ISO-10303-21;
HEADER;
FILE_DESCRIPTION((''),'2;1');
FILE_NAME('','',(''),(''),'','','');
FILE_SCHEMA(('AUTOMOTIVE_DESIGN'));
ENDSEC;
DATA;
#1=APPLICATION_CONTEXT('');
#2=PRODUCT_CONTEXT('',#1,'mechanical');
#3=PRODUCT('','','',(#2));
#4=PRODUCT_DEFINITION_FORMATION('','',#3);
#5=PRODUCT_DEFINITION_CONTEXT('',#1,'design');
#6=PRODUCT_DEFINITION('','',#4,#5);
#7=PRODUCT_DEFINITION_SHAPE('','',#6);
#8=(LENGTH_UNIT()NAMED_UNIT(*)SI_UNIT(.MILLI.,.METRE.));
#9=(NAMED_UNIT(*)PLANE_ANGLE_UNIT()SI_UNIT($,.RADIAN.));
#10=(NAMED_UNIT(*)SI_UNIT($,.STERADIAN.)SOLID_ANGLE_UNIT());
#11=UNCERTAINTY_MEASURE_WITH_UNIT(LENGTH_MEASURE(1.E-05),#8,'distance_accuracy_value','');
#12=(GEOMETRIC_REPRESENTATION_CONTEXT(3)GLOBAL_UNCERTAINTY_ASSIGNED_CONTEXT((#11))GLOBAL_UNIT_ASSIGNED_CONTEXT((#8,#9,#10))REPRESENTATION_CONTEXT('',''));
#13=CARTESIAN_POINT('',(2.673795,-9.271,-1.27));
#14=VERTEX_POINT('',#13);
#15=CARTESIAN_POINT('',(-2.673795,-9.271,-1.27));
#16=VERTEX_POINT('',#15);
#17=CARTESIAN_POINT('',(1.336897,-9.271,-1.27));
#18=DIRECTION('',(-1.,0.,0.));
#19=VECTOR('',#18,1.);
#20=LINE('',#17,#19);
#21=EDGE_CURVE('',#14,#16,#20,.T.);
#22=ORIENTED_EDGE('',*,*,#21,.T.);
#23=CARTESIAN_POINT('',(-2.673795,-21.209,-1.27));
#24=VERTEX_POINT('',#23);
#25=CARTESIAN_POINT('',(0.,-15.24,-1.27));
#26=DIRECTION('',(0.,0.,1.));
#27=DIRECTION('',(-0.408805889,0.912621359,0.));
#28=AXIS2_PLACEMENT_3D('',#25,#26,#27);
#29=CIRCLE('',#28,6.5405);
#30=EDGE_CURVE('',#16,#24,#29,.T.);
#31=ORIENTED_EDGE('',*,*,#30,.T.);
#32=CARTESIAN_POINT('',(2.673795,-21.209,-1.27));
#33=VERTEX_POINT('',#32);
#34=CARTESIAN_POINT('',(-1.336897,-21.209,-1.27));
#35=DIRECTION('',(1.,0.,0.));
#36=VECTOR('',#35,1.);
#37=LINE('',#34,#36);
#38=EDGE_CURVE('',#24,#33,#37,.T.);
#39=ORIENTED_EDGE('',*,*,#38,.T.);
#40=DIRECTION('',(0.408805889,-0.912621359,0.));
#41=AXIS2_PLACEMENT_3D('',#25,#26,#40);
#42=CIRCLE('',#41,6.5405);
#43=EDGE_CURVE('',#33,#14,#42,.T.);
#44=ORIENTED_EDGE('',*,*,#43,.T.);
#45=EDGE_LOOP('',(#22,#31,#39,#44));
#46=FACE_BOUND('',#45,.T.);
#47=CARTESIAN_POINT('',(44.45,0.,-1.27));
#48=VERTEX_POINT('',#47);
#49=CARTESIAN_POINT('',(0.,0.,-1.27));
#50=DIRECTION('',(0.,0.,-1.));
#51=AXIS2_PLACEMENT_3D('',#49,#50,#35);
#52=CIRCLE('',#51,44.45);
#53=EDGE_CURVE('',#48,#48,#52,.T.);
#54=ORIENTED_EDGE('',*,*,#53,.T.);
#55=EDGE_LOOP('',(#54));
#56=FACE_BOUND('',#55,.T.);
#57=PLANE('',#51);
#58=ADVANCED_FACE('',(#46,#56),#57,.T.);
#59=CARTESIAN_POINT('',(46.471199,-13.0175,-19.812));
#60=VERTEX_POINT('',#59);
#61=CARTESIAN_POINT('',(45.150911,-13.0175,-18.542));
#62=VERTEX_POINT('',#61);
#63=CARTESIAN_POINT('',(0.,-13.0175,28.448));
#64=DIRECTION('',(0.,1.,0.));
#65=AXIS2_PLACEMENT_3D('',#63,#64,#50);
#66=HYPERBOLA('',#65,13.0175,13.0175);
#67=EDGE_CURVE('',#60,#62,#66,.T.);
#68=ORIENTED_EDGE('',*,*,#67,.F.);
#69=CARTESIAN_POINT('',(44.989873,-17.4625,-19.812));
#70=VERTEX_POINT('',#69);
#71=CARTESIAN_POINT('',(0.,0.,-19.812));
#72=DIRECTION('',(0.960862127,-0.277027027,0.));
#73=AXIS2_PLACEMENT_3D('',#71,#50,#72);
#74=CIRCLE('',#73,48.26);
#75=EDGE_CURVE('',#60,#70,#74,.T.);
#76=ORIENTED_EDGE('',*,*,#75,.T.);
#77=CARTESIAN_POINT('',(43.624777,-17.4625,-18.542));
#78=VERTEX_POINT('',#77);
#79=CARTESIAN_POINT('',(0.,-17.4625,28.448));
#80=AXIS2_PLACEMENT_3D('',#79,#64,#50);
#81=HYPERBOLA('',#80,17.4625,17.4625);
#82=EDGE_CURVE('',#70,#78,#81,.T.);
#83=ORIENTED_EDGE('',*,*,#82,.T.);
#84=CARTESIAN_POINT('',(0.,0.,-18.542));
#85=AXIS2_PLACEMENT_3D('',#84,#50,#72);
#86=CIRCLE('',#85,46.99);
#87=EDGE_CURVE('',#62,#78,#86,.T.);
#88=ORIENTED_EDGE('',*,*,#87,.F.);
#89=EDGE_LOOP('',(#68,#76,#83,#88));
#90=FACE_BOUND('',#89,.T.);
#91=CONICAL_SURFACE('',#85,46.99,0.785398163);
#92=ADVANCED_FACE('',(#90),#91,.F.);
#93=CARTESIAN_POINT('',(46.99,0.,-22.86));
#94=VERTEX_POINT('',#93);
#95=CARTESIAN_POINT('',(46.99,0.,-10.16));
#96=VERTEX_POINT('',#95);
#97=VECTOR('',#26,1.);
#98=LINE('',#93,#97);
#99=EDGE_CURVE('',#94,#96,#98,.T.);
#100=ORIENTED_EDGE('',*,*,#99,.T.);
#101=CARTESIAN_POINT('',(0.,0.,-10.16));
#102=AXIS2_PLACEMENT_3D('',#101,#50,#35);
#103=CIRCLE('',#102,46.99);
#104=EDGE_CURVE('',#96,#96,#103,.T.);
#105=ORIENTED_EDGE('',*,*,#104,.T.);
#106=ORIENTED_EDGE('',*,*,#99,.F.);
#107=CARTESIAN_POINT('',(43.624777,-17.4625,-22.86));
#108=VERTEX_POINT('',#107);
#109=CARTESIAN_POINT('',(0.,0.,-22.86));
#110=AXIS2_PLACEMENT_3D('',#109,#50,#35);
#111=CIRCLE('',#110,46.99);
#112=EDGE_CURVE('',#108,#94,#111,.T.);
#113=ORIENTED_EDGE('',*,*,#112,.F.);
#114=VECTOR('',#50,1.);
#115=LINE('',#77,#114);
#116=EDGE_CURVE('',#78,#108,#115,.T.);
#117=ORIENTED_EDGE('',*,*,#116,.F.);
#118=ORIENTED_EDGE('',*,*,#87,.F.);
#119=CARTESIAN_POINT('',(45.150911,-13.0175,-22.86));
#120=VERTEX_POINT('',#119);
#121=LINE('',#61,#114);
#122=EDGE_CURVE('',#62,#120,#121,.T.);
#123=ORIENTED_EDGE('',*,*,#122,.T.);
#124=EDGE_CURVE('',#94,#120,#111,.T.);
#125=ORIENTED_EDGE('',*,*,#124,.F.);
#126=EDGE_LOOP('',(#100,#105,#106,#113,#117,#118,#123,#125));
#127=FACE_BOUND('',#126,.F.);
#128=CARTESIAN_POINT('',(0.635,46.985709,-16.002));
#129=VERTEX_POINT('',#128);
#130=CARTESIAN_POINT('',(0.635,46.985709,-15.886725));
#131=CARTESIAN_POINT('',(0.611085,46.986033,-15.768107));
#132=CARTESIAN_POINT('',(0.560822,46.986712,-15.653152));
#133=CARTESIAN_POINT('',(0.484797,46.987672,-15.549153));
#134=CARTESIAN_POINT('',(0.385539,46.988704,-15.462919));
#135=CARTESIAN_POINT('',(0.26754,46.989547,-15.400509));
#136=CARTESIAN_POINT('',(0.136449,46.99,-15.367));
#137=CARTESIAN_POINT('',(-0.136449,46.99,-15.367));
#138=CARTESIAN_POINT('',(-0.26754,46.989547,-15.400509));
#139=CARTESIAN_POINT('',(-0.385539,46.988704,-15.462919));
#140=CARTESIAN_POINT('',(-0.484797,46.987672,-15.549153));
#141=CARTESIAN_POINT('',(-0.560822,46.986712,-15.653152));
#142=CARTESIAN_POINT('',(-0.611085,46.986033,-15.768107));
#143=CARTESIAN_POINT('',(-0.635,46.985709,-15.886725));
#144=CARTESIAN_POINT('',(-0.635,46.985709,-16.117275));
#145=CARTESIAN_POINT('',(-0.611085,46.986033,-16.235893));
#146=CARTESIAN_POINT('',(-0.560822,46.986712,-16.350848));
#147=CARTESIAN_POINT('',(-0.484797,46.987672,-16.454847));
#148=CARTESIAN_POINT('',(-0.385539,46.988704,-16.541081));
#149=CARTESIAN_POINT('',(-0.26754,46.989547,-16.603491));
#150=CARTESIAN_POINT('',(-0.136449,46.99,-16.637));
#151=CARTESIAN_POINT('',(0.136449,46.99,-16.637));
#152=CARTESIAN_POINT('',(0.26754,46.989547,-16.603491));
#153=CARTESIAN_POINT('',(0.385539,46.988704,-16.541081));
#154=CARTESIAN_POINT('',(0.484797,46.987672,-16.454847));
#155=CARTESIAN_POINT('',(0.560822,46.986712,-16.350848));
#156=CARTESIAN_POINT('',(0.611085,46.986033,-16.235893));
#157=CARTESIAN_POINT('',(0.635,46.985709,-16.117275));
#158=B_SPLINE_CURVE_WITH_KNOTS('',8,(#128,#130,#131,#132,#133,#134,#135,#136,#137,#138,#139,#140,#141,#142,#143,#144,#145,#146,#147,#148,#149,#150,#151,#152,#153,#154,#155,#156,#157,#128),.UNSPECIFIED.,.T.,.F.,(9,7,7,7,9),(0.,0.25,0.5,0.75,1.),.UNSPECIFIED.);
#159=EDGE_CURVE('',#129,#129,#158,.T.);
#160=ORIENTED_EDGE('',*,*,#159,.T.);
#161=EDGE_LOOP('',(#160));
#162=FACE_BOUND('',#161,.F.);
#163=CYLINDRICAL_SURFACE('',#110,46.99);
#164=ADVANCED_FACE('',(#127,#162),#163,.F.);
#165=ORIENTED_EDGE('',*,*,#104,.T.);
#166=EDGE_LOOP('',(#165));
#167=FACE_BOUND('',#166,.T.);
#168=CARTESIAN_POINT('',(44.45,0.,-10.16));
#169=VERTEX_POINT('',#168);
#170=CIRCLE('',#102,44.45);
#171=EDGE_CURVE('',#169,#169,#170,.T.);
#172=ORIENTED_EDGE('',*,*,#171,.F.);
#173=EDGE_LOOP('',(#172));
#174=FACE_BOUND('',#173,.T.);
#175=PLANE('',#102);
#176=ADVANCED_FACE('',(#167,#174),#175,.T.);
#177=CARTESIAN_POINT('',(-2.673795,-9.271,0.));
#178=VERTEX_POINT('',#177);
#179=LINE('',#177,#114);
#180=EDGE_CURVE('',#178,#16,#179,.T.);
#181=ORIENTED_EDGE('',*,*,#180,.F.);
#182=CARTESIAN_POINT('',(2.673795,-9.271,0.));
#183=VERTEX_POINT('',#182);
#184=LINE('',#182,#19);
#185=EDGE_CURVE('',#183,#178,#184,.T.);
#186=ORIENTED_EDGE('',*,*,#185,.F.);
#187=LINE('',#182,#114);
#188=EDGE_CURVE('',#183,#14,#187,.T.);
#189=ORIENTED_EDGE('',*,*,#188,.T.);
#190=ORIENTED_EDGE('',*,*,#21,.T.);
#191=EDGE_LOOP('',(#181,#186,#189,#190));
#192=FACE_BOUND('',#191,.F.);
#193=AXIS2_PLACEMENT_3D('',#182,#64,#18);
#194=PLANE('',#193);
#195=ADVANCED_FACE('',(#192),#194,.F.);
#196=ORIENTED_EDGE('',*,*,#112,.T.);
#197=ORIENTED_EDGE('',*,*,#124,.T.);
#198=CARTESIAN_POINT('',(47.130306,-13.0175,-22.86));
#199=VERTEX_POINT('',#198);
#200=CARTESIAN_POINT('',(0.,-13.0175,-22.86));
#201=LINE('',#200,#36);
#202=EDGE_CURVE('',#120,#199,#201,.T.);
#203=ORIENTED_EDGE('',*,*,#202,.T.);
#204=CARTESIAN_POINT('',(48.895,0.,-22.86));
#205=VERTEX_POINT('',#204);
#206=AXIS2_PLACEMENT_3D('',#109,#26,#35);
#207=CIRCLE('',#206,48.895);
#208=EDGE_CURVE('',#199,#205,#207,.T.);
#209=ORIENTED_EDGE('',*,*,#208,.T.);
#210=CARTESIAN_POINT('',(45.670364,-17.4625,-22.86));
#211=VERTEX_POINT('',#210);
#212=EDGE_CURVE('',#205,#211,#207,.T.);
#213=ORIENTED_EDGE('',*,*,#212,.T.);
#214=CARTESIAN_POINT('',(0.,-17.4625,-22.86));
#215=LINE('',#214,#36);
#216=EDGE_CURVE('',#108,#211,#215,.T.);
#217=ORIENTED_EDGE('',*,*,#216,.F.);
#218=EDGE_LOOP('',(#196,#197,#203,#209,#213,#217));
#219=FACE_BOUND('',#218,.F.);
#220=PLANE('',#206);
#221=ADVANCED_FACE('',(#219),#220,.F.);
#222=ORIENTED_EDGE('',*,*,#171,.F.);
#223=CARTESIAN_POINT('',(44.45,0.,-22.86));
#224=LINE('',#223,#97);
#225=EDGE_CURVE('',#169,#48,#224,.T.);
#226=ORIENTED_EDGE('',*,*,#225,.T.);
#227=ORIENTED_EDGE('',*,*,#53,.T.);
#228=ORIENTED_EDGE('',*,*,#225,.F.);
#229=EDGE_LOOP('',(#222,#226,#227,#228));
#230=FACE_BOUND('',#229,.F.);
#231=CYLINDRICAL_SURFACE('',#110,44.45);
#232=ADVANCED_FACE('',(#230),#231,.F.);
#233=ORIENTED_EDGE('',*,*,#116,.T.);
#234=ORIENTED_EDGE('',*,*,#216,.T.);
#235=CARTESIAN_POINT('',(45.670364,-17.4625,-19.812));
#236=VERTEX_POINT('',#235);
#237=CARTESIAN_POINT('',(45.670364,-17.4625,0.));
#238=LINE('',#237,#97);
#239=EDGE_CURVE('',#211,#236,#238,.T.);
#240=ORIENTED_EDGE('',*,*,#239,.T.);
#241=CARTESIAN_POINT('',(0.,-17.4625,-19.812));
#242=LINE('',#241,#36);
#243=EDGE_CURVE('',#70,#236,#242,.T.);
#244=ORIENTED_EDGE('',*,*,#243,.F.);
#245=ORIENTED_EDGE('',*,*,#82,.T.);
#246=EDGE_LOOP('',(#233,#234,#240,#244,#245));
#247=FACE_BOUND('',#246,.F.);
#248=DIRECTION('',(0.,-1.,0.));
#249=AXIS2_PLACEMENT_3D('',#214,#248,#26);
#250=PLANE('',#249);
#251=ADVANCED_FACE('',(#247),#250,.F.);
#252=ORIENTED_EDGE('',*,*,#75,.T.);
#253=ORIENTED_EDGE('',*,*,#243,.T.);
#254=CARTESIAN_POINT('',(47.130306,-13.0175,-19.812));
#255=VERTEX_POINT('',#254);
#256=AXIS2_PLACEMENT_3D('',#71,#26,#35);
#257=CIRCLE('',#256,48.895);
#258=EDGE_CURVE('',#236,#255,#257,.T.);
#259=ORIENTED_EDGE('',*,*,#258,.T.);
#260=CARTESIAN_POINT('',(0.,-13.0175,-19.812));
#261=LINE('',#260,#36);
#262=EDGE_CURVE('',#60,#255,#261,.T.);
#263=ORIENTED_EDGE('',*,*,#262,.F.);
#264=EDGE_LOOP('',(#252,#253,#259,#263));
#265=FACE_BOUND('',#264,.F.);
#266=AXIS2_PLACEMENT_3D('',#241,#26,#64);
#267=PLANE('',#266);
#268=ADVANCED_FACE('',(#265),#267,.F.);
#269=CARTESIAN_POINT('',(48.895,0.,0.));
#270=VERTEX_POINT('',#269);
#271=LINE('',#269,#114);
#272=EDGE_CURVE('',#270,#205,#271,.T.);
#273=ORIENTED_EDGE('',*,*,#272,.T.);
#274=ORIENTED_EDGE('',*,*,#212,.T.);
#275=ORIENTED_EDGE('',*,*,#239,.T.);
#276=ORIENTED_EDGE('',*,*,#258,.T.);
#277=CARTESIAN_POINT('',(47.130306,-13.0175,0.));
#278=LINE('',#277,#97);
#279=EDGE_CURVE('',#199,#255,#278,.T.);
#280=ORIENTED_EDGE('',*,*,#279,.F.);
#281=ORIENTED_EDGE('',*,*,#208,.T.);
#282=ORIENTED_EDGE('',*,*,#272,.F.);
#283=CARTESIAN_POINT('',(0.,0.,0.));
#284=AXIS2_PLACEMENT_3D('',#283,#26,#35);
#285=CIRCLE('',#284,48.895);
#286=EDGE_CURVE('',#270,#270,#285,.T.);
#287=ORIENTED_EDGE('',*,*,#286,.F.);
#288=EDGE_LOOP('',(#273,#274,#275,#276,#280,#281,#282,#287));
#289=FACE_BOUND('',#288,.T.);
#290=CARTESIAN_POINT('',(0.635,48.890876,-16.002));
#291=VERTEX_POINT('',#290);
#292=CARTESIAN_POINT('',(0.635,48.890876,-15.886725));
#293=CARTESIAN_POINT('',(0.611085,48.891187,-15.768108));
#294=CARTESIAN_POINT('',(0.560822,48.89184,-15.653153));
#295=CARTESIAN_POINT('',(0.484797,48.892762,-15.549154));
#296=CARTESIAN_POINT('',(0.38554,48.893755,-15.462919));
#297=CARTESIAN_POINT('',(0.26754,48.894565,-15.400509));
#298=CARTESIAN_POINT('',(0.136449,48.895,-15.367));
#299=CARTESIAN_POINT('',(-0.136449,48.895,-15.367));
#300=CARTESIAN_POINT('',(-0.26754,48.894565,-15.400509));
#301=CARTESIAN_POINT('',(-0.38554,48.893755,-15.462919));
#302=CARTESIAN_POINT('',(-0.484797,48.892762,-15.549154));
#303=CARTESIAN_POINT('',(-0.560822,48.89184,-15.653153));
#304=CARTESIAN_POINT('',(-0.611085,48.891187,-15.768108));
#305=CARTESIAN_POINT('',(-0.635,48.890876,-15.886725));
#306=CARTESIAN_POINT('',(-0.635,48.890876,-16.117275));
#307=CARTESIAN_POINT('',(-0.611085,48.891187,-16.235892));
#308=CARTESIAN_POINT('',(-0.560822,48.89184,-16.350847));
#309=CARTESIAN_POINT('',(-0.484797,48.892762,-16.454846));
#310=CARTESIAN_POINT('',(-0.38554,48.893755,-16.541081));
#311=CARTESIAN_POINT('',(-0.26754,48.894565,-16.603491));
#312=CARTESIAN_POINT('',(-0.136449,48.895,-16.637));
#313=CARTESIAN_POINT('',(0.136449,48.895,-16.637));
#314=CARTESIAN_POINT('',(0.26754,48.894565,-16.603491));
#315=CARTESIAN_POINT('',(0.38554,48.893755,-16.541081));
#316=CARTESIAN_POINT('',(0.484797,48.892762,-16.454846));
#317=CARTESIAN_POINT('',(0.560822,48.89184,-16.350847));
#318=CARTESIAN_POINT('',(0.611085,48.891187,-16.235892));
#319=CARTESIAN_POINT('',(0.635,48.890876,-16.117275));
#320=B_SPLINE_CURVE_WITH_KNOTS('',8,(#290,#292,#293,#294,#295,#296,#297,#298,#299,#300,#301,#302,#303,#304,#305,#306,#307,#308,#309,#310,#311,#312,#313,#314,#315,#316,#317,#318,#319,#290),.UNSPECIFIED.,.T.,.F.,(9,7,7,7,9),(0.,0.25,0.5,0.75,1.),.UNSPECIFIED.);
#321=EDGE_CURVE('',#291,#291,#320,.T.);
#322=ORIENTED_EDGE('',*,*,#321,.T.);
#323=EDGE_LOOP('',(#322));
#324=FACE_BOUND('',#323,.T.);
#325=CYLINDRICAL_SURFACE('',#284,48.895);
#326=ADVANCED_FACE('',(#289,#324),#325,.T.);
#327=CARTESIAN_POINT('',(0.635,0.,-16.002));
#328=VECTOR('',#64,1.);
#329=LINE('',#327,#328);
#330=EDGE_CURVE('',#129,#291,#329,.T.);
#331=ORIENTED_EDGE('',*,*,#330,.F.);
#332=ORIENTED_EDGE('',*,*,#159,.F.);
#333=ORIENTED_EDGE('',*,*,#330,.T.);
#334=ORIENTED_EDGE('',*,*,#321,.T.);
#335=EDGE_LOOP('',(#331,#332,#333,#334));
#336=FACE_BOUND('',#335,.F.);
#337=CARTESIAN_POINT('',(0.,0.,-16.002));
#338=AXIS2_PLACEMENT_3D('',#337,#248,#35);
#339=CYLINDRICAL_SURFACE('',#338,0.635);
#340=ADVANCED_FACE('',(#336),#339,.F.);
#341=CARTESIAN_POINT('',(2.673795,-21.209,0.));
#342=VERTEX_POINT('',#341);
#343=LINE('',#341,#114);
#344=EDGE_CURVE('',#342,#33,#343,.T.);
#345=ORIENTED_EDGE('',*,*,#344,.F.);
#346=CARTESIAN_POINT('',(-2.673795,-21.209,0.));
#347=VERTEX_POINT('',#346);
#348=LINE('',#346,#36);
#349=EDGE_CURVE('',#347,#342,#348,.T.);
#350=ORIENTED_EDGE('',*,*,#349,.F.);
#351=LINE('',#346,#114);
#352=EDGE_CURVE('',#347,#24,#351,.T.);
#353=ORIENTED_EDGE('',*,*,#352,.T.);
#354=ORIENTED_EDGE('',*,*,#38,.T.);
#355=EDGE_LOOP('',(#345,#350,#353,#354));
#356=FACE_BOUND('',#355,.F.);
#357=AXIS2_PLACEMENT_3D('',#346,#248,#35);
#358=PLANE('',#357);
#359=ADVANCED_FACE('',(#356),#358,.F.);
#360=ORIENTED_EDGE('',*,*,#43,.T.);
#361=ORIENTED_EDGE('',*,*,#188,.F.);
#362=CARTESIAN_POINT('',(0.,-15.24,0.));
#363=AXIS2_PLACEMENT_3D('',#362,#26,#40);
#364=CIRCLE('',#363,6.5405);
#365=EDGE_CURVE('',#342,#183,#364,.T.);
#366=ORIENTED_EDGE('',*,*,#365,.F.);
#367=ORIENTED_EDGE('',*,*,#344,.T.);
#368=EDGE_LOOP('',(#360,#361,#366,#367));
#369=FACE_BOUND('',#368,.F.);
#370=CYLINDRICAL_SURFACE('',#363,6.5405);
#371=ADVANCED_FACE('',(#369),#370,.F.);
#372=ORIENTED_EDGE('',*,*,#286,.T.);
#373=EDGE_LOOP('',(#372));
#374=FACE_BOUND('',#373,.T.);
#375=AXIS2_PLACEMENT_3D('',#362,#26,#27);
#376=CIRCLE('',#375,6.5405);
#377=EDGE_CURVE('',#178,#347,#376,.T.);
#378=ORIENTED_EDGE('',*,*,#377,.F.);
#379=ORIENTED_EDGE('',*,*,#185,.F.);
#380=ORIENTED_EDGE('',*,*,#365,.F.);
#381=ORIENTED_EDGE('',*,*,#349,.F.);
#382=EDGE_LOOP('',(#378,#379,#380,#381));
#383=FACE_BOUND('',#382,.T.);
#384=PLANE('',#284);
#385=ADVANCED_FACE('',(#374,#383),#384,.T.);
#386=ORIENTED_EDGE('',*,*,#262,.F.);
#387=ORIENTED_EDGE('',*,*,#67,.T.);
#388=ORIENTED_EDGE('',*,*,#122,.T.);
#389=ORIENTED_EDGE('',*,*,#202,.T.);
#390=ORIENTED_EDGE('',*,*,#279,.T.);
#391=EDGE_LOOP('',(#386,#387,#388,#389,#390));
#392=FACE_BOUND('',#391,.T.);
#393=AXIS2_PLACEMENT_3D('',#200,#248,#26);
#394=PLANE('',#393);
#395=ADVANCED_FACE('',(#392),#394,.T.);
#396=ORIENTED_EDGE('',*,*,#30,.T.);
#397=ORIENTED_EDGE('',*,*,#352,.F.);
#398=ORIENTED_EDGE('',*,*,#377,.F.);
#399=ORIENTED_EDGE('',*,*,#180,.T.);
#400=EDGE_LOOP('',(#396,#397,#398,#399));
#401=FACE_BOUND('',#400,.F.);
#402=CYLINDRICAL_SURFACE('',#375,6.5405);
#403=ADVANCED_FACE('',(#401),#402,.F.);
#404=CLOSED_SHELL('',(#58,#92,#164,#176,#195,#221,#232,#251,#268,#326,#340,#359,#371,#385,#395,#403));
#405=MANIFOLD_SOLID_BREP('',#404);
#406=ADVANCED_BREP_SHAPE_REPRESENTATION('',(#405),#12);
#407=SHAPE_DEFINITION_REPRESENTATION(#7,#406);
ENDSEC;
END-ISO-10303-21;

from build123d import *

# Parameters (mm, degrees)
F0_R      = 48.895
F1_DEPTH  = 22.86
F3_DEPTH  = 22.861
F5_R      = 46.99
F6_DEPTH  = 12.7
F7_R      = 44.45
F8_DEPTH  = 21.59
F9_W      = 4.445
F9_H      = 3.048
F10_DEPTH = 48.896
F11_SIZE  = 1.27
F12_R     = 0.635
F13_DEPTH = 48.896


with BuildPart() as f1:
    # F0 (on Top) → F1 (new body)
    with BuildSketch(Plane.XY):
        Circle(F0_R)
    extrude(amount=-F1_DEPTH)

    # F2 (on Top) → F3 (cut, through all)
    with BuildSketch(Plane.XY):
        with BuildLine():
            Line((-2.6737949155, -21.209), (2.6737949155, -21.209))
            ThreePointArc((2.6737949155, -21.209), (6.5405, -15.24), (2.6737949155, -9.271))
            Line((2.6737949155, -9.271), (-2.6737949155, -9.271))
            ThreePointArc((-2.6737949155, -9.271), (-6.5405, -15.24), (-2.6737949155, -21.209))
        make_face()
    extrude(amount=-F3_DEPTH, mode=Mode.SUBTRACT)

    # F5 (on offset) → F6 (cut)
    with BuildSketch(Plane(origin=(0, 0, -22.86), x_dir=(1, 0, 0), z_dir=(0, 0, -1))):
        Circle(F5_R)
    extrude(amount=-F6_DEPTH, mode=Mode.SUBTRACT)

    # F7 (on offset) → F8 (cut)
    with BuildSketch(Plane(origin=(0, 0, -22.86), x_dir=(1, 0, 0), z_dir=(0, 0, -1))):
        Circle(F7_R)
    extrude(amount=-F8_DEPTH, mode=Mode.SUBTRACT)

    # F9 (on Right) → F10 (cut, through all)
    with BuildSketch(Plane.YZ):
        with Locations((-15.24, -21.336)):
            Rectangle(F9_W, F9_H)
    extrude(amount=F10_DEPTH, mode=Mode.SUBTRACT)

    # F11
    f11_edges = [f1.edges().sort_by_distance(p)[0] for p in [
        (44.44345, -15.259091, -19.812),
    ]]
    chamfer(f11_edges, length=F11_SIZE)

    # F12 (on Front) → F13 (cut, through all)
    with BuildSketch(Plane.XZ):
        with Locations((0, -16.002)):
            Circle(F12_R)
    extrude(amount=-F13_DEPTH, mode=Mode.SUBTRACT)


solid = f1.part
